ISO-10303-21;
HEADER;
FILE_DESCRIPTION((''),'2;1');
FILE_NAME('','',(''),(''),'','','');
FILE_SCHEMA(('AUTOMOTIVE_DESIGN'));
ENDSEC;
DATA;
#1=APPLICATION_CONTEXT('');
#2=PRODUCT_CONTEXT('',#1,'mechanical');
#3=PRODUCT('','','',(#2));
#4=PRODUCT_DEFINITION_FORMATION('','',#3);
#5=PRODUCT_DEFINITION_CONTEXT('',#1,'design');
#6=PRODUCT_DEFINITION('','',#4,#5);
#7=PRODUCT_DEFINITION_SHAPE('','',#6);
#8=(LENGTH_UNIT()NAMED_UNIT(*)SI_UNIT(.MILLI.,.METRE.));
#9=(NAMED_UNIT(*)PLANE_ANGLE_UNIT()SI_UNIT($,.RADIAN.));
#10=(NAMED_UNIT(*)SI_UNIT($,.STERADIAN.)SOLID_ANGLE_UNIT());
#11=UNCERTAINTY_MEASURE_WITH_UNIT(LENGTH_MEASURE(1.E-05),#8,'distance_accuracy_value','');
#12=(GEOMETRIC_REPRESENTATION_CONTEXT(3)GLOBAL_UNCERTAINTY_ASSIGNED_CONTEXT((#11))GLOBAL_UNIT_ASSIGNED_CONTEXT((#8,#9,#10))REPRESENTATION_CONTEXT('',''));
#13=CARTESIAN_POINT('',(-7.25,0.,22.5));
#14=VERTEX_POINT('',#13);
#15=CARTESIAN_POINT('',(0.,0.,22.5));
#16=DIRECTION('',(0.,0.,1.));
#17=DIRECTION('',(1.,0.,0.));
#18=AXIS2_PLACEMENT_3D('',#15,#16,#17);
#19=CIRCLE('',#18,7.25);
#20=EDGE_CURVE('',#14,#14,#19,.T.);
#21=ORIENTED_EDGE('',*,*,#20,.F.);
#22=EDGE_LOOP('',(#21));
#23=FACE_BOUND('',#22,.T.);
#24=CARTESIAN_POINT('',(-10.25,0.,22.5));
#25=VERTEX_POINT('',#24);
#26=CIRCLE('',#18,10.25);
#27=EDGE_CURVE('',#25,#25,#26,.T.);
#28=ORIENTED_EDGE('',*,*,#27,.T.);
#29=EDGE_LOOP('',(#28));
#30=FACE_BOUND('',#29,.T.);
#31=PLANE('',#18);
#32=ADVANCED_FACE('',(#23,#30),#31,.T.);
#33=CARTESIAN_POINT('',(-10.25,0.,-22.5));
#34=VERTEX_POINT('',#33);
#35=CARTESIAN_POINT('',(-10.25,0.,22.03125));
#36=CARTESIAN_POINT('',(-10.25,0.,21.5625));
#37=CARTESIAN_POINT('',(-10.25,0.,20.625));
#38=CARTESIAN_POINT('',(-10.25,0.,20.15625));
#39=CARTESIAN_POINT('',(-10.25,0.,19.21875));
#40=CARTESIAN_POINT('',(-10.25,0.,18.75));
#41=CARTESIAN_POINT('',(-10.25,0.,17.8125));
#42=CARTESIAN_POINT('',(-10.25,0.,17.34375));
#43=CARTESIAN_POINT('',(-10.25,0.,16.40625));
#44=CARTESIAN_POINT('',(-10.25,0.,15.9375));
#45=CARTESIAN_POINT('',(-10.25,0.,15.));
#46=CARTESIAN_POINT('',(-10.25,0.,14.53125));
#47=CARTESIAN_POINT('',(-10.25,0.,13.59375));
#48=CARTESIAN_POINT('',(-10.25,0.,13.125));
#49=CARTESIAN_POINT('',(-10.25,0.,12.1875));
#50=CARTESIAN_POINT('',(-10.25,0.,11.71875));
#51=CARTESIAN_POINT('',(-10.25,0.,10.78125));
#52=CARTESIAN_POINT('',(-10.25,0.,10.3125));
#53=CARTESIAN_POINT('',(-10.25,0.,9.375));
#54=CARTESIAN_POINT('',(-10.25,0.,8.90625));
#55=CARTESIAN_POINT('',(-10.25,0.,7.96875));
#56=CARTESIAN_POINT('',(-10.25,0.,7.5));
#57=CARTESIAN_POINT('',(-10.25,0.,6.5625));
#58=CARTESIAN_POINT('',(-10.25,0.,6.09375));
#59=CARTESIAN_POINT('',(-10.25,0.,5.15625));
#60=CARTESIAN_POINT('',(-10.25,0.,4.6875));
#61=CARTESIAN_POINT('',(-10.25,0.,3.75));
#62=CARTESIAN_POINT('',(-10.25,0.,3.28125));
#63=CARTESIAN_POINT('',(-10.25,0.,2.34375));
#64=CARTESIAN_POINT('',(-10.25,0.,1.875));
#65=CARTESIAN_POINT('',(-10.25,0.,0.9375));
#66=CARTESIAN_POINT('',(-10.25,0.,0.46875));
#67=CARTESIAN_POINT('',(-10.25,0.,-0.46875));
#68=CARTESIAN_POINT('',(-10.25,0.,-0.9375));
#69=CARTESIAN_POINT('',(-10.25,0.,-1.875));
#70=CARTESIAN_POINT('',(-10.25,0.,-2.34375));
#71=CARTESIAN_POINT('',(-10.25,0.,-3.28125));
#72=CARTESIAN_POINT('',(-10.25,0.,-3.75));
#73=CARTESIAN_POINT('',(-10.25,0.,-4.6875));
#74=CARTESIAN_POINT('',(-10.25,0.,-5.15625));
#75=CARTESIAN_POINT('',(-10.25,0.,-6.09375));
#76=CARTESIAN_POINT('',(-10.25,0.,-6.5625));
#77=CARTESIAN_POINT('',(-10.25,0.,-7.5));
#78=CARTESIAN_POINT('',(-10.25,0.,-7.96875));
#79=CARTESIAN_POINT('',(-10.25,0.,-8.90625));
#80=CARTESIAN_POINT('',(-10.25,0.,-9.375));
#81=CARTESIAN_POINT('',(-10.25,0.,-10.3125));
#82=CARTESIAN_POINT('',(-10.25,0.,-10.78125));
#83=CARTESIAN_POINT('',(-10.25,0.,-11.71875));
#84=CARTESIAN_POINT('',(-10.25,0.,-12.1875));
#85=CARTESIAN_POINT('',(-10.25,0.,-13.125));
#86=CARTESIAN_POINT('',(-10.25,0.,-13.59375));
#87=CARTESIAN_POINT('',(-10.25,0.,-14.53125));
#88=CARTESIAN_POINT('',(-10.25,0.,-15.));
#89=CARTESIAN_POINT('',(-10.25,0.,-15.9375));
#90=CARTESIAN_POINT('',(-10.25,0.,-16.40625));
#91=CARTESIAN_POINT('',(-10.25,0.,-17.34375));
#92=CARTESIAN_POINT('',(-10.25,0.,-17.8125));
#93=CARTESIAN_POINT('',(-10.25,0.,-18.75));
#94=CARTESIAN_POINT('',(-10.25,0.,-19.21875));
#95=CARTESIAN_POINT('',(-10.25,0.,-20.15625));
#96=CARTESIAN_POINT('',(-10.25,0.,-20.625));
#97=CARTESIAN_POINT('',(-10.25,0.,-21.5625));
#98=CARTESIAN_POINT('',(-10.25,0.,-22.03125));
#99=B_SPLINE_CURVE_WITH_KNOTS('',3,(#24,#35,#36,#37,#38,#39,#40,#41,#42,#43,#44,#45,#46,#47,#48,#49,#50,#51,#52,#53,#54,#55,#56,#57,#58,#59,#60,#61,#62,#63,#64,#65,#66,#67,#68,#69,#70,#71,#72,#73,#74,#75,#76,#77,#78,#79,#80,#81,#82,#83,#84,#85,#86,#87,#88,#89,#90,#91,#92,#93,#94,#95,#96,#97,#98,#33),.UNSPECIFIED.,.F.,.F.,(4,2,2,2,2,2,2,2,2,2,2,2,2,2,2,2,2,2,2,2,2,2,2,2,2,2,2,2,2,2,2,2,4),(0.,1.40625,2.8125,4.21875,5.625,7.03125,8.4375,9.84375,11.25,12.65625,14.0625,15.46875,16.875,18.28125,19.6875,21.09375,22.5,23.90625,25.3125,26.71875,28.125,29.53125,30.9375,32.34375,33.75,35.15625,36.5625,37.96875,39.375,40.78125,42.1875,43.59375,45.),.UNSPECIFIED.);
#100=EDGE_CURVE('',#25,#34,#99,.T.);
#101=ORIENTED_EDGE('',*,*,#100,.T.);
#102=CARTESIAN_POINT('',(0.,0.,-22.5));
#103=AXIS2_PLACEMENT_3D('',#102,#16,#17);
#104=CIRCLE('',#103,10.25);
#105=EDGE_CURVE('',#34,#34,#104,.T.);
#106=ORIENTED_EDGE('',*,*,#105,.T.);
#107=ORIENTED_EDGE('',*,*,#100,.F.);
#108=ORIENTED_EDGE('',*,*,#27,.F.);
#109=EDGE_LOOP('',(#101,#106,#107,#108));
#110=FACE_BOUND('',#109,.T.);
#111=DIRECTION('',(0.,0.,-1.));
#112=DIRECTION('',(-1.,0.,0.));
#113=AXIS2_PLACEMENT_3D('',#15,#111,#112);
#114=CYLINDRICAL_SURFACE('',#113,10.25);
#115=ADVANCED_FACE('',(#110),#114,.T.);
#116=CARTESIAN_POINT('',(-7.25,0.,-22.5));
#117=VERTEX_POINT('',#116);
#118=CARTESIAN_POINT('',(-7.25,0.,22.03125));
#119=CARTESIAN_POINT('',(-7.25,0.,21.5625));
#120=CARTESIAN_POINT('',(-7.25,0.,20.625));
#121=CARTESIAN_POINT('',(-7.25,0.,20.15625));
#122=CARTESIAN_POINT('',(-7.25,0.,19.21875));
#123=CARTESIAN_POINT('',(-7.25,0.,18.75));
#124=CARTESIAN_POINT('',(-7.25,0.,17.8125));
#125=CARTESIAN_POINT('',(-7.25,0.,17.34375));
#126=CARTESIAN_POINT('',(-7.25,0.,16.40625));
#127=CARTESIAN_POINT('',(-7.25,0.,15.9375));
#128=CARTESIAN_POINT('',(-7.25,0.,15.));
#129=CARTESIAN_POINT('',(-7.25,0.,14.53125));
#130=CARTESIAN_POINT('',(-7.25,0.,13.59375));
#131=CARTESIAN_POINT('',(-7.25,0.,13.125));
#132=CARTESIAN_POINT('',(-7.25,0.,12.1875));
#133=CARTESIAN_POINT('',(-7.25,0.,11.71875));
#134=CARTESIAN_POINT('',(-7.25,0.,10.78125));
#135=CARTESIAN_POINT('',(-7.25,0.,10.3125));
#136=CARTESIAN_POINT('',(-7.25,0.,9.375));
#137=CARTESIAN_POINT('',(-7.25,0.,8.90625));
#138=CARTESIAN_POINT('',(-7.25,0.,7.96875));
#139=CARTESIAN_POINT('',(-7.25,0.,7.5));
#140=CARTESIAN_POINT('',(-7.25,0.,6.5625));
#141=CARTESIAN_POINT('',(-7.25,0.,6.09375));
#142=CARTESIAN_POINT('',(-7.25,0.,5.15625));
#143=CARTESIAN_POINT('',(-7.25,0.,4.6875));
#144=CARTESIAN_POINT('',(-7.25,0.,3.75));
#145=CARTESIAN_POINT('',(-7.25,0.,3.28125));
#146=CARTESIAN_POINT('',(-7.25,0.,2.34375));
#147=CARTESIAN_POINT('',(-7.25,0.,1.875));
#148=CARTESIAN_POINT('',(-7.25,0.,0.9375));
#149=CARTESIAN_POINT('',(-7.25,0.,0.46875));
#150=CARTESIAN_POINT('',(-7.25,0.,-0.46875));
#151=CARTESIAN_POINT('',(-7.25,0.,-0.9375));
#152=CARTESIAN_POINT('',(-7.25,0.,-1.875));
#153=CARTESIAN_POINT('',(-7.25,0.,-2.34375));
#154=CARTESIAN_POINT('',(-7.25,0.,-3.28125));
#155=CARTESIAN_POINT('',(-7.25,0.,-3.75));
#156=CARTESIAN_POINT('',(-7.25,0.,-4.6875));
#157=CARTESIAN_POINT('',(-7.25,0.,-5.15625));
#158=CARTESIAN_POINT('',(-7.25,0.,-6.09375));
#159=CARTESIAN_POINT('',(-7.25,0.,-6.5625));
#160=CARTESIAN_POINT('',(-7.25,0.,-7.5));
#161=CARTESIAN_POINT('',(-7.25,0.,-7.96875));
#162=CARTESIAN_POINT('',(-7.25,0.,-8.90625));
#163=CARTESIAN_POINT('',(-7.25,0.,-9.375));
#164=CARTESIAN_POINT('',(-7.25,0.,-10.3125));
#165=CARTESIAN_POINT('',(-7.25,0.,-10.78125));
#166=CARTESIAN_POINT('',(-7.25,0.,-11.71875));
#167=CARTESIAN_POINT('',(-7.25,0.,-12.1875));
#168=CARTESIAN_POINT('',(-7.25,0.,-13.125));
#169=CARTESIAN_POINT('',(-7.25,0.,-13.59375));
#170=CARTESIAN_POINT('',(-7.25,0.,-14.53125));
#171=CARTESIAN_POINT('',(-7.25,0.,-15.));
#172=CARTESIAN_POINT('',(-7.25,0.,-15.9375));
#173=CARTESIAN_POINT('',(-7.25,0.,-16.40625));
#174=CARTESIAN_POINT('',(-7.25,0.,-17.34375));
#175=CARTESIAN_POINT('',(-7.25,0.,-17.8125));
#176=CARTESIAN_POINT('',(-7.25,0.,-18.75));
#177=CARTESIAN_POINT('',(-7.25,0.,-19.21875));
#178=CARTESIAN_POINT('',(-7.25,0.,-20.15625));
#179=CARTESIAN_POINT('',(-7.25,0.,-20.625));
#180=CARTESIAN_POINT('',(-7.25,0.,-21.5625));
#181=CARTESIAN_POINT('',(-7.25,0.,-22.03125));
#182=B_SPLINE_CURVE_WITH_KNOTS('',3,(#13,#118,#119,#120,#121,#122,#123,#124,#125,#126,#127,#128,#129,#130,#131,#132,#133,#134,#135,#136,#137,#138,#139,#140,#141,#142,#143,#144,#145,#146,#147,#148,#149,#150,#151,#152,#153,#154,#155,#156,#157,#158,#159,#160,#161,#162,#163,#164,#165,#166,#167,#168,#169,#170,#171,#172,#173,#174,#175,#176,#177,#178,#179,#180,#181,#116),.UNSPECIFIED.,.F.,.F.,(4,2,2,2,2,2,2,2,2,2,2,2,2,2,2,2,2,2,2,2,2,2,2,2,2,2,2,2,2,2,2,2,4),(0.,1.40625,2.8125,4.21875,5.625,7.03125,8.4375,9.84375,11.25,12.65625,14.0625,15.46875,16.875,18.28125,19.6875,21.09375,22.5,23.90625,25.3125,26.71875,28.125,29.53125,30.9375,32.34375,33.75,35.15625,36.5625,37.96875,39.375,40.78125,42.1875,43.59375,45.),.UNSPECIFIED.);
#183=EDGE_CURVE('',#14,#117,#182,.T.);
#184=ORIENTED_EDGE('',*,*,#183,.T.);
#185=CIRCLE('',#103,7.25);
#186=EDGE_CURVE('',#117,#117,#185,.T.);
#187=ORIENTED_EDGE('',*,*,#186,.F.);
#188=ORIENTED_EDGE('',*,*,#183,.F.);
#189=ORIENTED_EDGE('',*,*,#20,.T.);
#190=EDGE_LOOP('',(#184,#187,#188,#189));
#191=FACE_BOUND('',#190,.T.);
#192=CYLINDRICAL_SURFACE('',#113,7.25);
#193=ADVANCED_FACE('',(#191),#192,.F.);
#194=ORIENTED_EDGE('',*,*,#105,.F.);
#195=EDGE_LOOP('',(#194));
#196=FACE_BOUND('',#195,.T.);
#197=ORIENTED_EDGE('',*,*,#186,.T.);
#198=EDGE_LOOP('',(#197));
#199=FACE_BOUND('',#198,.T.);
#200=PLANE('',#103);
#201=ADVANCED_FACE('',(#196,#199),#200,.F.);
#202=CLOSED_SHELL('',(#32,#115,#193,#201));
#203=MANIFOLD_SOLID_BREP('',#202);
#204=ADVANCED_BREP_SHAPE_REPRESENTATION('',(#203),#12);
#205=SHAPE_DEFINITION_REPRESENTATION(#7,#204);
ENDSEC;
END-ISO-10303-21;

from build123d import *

# Parameters (mm, degrees)
ESBO_O1_R                = 10.25
ESBO_O1_R_2              = 7.25
RESSALTO_EXTRUS_O1_DEPTH = 22.5


with BuildPart() as part:
    # Esboço1 → Ressalto-extrusão1 (new, symmetric)
    with BuildSketch(Plane.XY):
        with Locations(Location((0, 0, 0), (0, 0, 180))):
            Circle(ESBO_O1_R)
        with Locations(Location((0, 0, 0), (0, 0, 180))):
            Circle(ESBO_O1_R_2, mode=Mode.SUBTRACT)
    extrude(amount=RESSALTO_EXTRUS_O1_DEPTH, both=True)


solid = part.part
